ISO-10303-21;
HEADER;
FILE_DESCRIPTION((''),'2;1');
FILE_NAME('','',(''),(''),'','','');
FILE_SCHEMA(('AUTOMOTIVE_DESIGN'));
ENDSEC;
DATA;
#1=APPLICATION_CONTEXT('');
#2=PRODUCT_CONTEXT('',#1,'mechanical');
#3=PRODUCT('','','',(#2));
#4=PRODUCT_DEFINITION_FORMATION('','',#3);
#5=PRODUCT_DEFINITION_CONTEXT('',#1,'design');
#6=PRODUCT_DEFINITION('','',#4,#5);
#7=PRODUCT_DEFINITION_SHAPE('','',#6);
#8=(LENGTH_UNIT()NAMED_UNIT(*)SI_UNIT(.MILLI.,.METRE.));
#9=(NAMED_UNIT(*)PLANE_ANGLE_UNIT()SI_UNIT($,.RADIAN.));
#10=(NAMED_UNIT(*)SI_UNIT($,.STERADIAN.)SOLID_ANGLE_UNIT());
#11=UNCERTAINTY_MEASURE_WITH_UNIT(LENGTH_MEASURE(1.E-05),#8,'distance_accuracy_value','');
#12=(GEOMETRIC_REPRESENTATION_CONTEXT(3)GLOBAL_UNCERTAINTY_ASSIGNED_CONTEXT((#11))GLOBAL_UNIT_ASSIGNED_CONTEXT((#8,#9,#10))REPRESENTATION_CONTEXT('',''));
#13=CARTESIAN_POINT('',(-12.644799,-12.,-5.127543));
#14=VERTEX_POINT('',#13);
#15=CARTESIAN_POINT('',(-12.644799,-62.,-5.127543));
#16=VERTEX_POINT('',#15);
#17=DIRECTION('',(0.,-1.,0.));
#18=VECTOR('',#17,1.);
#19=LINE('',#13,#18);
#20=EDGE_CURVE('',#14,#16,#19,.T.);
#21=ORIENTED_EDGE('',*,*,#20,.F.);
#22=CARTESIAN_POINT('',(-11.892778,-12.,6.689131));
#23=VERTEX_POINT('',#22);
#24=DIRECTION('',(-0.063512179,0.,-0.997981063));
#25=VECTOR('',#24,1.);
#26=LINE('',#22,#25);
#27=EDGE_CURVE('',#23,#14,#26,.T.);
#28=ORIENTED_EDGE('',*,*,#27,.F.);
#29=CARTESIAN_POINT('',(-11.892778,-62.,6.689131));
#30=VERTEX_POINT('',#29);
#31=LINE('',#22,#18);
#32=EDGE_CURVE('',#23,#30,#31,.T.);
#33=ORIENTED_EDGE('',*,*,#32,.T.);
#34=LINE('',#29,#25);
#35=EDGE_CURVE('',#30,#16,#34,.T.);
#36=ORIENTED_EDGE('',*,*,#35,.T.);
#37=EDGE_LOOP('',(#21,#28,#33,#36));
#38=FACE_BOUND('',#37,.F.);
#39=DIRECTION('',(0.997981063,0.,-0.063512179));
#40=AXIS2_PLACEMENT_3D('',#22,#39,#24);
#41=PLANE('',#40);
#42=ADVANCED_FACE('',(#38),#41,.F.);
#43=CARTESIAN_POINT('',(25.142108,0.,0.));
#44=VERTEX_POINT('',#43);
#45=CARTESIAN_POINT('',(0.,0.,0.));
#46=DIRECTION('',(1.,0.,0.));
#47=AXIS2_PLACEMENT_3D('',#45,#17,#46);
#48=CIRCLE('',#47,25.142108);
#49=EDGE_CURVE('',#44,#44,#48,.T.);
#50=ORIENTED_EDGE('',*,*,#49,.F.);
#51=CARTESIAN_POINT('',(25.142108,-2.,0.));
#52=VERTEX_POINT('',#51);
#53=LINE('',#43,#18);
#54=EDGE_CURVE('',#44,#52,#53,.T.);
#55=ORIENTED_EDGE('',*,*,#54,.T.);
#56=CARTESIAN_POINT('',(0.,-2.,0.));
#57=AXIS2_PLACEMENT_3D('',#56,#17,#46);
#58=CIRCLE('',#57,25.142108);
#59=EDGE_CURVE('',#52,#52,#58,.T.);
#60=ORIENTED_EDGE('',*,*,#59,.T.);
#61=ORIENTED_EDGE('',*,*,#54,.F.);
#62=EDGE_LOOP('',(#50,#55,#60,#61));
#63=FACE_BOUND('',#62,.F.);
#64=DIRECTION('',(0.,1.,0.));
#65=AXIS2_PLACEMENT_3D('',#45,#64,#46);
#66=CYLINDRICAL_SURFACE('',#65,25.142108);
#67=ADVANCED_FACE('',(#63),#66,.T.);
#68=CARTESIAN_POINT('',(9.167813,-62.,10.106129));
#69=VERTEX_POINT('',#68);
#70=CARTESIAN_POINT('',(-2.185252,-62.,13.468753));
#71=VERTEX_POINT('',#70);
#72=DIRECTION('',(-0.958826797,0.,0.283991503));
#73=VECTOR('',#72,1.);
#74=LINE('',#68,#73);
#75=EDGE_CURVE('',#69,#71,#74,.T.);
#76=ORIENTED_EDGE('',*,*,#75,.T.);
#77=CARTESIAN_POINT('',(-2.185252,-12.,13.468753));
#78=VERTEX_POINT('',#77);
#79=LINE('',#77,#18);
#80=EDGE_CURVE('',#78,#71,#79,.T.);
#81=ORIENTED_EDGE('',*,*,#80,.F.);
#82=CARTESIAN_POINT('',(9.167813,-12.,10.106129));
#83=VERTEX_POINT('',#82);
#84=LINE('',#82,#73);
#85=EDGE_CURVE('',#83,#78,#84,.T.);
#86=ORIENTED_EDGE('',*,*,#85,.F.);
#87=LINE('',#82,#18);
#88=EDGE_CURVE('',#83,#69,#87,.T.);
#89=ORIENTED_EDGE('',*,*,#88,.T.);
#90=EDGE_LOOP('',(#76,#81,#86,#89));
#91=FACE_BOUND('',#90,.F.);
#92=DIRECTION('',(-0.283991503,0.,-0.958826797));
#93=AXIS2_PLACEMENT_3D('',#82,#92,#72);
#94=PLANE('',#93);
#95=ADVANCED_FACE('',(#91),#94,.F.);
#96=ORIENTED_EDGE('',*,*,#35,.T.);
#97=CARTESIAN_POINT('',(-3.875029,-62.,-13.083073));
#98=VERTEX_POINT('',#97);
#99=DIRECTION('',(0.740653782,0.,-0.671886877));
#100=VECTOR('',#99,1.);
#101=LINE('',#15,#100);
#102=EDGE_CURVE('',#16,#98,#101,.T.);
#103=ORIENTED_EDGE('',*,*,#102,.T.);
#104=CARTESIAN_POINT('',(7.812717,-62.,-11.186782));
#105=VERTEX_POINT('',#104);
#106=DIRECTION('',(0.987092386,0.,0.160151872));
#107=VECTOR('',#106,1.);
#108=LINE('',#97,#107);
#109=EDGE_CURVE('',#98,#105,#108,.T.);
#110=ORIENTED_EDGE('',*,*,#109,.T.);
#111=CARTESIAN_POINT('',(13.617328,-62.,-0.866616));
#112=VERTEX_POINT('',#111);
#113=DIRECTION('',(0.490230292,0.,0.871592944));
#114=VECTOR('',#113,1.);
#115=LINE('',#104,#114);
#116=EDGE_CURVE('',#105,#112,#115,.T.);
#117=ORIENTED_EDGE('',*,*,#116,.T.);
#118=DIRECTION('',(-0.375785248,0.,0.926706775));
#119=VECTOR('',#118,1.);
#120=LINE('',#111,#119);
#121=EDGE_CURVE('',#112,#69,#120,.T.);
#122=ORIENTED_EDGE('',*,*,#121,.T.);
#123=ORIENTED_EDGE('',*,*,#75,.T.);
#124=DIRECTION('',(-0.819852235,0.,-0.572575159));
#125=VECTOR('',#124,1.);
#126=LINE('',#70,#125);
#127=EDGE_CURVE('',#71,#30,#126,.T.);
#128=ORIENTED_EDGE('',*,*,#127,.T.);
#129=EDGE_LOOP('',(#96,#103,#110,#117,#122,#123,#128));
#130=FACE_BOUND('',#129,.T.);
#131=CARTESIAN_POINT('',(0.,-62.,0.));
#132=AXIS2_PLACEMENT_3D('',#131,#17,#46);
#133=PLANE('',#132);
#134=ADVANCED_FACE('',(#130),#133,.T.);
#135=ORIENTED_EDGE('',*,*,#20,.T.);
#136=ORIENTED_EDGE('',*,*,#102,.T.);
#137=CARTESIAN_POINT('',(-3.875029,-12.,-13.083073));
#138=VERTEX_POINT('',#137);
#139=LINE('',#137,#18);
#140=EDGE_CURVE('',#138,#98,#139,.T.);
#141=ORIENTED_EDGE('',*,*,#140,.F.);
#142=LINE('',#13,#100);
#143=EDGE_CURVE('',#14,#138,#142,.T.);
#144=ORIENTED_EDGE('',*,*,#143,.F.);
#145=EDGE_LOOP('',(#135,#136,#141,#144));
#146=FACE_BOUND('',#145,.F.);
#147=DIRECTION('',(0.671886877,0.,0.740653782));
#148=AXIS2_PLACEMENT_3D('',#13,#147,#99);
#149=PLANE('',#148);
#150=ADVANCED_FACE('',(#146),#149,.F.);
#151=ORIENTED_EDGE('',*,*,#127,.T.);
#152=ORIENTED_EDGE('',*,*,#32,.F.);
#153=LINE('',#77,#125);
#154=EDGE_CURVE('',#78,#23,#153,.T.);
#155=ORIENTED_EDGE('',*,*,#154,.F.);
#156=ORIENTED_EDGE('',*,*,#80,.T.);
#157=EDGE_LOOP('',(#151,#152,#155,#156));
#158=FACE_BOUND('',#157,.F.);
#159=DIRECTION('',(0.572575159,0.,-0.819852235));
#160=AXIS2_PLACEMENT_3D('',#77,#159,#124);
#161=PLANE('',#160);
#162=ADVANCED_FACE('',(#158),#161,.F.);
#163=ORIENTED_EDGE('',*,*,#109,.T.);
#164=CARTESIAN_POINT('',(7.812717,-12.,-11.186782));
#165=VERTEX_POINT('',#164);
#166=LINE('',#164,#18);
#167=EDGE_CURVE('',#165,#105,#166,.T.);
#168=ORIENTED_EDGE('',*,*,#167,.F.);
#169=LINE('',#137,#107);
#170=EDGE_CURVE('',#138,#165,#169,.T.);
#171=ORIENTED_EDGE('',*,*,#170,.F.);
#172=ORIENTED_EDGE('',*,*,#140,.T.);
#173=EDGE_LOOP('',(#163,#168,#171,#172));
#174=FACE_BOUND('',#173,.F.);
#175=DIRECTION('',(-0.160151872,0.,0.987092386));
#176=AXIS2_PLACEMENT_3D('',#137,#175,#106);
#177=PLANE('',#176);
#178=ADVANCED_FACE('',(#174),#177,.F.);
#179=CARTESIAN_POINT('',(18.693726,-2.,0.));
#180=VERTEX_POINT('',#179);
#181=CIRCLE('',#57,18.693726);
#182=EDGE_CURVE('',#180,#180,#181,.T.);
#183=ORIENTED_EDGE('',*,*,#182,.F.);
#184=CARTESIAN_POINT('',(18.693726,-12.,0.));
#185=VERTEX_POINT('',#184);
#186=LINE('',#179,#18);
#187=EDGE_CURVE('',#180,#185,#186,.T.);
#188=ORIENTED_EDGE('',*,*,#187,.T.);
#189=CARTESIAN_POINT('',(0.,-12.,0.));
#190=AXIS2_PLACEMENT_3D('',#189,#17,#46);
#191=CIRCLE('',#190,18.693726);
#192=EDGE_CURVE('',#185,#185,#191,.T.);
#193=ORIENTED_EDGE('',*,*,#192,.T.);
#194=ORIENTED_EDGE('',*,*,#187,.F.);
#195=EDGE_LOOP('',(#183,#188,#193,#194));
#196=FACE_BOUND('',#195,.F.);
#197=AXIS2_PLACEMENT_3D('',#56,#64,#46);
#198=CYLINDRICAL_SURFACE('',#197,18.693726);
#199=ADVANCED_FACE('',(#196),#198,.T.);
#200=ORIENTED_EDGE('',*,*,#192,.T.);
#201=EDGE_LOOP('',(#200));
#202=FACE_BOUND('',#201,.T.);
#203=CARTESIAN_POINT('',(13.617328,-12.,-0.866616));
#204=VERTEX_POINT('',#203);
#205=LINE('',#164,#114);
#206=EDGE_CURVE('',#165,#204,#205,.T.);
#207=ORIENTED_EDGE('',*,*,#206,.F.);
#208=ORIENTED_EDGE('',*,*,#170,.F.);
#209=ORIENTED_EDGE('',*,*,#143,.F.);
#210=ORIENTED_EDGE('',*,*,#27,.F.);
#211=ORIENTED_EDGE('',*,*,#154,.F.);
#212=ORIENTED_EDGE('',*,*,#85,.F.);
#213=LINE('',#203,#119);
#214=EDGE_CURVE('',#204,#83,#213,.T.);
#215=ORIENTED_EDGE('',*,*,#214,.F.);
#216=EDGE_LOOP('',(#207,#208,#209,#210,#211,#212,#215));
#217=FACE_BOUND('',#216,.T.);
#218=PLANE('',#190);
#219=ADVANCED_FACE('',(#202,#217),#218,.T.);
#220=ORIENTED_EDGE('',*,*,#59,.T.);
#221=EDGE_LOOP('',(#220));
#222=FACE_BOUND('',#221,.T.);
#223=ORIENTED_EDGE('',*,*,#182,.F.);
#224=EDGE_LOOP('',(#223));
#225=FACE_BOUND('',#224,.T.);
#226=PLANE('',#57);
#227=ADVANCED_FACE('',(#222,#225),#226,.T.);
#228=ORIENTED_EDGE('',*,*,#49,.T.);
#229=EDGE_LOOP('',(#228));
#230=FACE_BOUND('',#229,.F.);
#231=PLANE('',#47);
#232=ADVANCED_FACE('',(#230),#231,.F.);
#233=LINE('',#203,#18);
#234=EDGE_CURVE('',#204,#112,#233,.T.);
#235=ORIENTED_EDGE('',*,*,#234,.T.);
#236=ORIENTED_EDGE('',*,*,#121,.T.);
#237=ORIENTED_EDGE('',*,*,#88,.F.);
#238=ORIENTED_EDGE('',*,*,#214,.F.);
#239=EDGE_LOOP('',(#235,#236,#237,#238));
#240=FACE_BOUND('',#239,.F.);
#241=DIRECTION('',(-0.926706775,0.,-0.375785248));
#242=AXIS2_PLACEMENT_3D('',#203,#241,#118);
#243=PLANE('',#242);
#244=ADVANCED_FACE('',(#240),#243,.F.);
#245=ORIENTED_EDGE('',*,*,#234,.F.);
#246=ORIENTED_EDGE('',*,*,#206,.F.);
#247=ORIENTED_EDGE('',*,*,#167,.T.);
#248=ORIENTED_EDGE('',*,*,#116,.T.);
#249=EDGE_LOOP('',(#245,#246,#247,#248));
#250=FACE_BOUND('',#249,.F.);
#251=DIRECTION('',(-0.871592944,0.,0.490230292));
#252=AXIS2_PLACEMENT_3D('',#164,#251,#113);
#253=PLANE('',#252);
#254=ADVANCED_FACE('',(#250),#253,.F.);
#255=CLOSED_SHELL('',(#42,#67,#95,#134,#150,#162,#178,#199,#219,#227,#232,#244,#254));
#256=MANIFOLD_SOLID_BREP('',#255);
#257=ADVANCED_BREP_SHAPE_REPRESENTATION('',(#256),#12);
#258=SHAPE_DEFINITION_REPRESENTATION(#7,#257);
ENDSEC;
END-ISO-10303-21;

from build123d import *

# Parameters (mm, degrees)
F0_R     = 25.142108
F1_DEPTH = 2
F2_R     = 18.693726
F3_DEPTH = 10
F5_DEPTH = 50


with BuildPart() as f1:
    # F0 (on Front) → F1 (new body)
    with BuildSketch(Plane.XZ):
        Circle(F0_R)
    extrude(amount=F1_DEPTH)

    # F2 (on face) → F3 (join)
    with BuildSketch(Plane.XZ.offset(2)):
        Circle(F2_R)
    extrude(amount=F3_DEPTH)

    # F4 (on face) → F5 (join)
    with BuildSketch(Plane.XZ.offset(12)):
        Polygon((-12.644799, -5.127543), (-3.875029, -13.083073), (7.812717, -11.186782), (13.617328, -0.866616), (9.167813, 10.106129), (-2.185252, 13.468753), (-11.892778, 6.689131), align=None)
    extrude(amount=F5_DEPTH)


solid = f1.part
